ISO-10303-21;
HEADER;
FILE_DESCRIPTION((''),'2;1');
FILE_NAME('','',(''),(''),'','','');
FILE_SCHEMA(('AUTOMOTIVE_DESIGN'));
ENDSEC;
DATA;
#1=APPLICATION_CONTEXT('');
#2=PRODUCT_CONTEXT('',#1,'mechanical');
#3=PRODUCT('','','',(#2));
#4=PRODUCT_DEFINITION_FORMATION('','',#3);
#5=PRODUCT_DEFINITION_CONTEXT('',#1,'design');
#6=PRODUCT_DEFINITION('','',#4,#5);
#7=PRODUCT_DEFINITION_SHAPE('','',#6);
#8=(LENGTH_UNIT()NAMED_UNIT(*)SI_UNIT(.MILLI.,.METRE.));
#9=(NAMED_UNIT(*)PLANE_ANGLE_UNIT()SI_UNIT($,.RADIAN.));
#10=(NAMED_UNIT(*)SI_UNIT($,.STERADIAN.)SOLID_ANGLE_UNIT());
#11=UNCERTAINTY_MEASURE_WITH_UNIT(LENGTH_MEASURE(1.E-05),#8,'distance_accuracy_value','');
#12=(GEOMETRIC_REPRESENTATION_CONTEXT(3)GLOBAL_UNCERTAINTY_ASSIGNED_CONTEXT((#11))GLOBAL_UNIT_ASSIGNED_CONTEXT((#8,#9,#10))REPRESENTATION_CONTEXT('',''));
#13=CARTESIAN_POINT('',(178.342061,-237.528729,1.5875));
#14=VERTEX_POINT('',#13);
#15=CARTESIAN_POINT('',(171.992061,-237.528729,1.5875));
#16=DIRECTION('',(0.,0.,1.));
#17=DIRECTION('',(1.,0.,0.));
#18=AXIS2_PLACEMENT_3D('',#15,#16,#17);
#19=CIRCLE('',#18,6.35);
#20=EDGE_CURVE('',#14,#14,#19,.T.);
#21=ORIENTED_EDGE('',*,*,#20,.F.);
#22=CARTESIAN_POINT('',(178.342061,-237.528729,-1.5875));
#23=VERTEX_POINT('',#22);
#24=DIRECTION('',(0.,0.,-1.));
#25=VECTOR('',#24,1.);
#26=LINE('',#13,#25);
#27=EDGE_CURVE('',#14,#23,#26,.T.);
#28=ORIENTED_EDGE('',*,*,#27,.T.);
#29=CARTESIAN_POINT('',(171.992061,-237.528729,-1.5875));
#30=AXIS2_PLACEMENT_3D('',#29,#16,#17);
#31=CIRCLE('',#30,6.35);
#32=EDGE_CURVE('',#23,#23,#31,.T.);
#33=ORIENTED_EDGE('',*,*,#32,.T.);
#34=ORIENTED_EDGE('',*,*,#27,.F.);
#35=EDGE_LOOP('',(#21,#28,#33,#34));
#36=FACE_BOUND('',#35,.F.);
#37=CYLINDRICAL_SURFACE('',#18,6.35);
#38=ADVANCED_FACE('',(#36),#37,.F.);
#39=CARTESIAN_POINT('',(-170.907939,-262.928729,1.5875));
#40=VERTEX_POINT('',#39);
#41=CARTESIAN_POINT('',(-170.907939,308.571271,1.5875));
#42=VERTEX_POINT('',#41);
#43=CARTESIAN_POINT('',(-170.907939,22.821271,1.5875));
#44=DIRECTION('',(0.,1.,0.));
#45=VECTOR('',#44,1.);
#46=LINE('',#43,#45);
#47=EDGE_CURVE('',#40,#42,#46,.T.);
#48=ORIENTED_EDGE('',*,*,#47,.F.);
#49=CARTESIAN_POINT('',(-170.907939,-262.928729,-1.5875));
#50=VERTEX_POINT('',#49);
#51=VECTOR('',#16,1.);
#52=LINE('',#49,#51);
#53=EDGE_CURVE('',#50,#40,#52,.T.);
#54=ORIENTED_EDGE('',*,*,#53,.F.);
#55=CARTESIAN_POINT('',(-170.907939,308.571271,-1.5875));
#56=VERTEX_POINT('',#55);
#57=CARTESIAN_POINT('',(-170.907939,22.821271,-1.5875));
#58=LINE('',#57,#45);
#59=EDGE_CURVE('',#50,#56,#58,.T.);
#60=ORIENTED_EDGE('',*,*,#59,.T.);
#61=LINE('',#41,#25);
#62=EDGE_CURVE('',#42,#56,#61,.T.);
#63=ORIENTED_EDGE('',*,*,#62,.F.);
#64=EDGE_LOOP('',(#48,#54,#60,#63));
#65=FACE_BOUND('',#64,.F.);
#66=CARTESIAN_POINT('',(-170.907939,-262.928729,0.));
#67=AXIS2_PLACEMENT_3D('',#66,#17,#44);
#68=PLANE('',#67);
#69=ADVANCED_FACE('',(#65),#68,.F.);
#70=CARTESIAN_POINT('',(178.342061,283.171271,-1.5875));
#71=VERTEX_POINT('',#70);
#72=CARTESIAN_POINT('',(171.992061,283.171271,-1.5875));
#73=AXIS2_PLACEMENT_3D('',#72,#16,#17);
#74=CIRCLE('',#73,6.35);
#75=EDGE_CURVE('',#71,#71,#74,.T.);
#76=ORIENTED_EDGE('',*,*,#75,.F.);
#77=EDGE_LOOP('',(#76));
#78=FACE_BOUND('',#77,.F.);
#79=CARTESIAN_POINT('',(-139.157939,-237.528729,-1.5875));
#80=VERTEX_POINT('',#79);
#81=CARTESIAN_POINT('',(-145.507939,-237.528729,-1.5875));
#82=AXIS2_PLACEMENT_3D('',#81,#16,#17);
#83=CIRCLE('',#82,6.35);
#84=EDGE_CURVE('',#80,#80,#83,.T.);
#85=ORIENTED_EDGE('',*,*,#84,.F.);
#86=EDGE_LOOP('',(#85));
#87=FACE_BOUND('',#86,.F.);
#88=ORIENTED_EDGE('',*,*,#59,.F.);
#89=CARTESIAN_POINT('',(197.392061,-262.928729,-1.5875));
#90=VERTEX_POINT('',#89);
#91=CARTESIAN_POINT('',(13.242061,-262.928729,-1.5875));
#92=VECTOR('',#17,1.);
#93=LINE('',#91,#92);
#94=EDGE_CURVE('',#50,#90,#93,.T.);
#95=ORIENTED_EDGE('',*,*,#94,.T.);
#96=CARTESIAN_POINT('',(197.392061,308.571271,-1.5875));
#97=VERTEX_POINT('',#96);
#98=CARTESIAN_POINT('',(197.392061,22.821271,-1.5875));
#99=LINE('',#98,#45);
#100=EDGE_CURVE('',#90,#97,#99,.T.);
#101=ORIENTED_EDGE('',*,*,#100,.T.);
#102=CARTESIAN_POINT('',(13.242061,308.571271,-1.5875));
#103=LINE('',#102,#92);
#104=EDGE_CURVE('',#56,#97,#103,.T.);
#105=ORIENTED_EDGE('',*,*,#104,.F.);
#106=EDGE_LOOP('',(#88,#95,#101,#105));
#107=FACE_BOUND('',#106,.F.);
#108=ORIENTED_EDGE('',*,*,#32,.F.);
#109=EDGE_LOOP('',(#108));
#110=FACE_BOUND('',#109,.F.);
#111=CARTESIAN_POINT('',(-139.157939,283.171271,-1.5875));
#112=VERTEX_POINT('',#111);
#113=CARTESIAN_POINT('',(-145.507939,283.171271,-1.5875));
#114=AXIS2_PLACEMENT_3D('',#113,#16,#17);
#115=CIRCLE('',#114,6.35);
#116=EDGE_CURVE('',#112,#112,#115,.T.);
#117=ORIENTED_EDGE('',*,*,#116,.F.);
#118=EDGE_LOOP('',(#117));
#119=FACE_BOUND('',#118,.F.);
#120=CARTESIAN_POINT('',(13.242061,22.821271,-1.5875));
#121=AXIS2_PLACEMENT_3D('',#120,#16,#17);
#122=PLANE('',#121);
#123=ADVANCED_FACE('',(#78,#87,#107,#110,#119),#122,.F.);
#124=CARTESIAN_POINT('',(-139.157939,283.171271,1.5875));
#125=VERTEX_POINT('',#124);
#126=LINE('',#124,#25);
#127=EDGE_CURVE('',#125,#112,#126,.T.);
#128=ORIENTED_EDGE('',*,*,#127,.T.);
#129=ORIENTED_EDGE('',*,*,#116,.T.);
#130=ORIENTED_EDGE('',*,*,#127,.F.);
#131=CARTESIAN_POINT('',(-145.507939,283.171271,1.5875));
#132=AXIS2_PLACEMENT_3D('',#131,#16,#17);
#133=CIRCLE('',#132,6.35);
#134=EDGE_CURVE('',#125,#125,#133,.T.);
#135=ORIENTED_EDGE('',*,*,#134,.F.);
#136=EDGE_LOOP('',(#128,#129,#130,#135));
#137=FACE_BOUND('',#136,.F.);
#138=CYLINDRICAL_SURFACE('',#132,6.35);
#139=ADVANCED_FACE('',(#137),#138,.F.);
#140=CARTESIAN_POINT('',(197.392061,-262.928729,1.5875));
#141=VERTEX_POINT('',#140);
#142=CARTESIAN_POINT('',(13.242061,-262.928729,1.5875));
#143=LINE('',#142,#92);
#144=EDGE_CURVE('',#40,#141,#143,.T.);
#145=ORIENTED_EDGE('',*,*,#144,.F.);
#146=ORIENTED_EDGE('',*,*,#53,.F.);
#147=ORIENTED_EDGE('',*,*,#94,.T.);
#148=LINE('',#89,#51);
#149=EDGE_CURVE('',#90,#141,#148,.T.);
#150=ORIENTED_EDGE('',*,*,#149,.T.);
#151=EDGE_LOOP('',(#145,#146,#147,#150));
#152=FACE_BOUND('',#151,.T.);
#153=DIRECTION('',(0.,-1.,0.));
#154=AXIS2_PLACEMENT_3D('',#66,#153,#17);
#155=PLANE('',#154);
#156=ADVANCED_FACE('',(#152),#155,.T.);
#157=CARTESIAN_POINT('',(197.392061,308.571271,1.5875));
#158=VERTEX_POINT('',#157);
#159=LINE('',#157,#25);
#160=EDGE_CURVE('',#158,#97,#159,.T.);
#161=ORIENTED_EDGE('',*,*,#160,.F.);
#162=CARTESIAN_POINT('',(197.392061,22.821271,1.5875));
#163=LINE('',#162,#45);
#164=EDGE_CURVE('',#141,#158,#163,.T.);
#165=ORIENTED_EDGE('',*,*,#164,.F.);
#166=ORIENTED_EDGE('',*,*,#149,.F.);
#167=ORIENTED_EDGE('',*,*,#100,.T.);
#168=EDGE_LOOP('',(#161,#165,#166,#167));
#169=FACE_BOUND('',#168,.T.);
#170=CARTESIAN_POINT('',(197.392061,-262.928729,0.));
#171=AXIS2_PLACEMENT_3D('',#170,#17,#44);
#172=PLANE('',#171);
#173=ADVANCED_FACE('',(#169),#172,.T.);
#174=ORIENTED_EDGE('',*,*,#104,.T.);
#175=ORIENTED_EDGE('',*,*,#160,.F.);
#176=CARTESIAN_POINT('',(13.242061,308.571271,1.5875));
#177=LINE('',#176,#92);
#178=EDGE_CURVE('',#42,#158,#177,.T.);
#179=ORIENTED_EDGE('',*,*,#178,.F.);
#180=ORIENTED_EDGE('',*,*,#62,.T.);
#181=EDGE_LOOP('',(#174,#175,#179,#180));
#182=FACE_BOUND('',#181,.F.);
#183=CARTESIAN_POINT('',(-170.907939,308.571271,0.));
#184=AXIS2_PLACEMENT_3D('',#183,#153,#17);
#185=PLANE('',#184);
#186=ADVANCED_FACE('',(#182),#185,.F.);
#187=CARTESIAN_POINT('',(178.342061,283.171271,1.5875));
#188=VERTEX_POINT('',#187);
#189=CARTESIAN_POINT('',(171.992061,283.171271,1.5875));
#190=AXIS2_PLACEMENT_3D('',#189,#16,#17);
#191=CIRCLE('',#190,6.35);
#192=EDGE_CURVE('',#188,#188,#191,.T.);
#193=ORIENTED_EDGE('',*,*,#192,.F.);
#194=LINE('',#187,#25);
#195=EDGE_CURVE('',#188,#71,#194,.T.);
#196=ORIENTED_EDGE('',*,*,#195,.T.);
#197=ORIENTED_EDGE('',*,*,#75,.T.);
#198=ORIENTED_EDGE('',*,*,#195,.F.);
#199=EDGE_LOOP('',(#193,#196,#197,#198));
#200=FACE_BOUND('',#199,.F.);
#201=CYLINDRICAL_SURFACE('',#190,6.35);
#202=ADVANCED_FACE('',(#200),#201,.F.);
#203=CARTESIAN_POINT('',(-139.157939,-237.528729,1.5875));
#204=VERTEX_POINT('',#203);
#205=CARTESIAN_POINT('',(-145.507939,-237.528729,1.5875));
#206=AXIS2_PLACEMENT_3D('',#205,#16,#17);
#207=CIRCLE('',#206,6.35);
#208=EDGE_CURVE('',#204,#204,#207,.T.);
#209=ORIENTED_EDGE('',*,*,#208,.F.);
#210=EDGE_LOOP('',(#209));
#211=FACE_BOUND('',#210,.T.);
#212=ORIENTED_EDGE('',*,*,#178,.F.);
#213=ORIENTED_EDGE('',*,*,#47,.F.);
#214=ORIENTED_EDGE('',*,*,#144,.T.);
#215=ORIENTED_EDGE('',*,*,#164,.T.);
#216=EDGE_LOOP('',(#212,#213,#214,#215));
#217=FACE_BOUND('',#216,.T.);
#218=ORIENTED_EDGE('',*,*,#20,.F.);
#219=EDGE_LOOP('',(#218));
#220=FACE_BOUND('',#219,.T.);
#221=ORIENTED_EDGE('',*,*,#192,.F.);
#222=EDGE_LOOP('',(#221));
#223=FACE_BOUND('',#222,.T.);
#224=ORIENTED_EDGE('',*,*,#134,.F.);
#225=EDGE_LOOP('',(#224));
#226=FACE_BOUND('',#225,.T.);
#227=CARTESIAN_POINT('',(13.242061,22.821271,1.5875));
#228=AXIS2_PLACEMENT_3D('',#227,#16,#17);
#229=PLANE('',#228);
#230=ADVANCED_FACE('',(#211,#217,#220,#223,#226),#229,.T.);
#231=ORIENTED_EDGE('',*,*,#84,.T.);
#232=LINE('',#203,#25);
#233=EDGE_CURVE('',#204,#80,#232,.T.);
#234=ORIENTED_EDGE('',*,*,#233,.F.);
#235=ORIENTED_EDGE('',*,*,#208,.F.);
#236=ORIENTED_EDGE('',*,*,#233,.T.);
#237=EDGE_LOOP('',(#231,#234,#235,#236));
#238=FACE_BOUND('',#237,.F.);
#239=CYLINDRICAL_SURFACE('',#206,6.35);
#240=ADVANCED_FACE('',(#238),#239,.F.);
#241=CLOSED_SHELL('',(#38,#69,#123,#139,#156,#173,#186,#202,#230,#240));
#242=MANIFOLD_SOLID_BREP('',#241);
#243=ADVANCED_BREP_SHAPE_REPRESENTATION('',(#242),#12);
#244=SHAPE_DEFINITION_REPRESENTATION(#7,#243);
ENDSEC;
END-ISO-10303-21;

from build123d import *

# Parameters (mm, degrees)
F0_W     = 368.3
F0_H     = 571.5
F1_DEPTH = 1.5875
F2_R     = 6.35
F3_DEPTH = 25.4


with BuildPart() as f1:
    # F0 (on Top) → F1 (new body, symmetric)
    with BuildSketch(Plane.XY):
        with Locations((13.242061, 22.821271)):
            Rectangle(F0_W, F0_H)
    extrude(amount=F1_DEPTH, both=True)

    # F2 (on face) → F3 (cut)
    with BuildSketch(Plane.XY.offset(1.5875)):
        with Locations((171.992061, 283.171271)):
            Circle(F2_R)
        with Locations((-145.507939, 283.171271)):
            Circle(F2_R)
        with Locations((-145.507939, -237.528729)):
            Circle(F2_R)
        with Locations((171.992061, -237.528729)):
            Circle(F2_R)
    extrude(amount=-F3_DEPTH, mode=Mode.SUBTRACT)


solid = f1.part
